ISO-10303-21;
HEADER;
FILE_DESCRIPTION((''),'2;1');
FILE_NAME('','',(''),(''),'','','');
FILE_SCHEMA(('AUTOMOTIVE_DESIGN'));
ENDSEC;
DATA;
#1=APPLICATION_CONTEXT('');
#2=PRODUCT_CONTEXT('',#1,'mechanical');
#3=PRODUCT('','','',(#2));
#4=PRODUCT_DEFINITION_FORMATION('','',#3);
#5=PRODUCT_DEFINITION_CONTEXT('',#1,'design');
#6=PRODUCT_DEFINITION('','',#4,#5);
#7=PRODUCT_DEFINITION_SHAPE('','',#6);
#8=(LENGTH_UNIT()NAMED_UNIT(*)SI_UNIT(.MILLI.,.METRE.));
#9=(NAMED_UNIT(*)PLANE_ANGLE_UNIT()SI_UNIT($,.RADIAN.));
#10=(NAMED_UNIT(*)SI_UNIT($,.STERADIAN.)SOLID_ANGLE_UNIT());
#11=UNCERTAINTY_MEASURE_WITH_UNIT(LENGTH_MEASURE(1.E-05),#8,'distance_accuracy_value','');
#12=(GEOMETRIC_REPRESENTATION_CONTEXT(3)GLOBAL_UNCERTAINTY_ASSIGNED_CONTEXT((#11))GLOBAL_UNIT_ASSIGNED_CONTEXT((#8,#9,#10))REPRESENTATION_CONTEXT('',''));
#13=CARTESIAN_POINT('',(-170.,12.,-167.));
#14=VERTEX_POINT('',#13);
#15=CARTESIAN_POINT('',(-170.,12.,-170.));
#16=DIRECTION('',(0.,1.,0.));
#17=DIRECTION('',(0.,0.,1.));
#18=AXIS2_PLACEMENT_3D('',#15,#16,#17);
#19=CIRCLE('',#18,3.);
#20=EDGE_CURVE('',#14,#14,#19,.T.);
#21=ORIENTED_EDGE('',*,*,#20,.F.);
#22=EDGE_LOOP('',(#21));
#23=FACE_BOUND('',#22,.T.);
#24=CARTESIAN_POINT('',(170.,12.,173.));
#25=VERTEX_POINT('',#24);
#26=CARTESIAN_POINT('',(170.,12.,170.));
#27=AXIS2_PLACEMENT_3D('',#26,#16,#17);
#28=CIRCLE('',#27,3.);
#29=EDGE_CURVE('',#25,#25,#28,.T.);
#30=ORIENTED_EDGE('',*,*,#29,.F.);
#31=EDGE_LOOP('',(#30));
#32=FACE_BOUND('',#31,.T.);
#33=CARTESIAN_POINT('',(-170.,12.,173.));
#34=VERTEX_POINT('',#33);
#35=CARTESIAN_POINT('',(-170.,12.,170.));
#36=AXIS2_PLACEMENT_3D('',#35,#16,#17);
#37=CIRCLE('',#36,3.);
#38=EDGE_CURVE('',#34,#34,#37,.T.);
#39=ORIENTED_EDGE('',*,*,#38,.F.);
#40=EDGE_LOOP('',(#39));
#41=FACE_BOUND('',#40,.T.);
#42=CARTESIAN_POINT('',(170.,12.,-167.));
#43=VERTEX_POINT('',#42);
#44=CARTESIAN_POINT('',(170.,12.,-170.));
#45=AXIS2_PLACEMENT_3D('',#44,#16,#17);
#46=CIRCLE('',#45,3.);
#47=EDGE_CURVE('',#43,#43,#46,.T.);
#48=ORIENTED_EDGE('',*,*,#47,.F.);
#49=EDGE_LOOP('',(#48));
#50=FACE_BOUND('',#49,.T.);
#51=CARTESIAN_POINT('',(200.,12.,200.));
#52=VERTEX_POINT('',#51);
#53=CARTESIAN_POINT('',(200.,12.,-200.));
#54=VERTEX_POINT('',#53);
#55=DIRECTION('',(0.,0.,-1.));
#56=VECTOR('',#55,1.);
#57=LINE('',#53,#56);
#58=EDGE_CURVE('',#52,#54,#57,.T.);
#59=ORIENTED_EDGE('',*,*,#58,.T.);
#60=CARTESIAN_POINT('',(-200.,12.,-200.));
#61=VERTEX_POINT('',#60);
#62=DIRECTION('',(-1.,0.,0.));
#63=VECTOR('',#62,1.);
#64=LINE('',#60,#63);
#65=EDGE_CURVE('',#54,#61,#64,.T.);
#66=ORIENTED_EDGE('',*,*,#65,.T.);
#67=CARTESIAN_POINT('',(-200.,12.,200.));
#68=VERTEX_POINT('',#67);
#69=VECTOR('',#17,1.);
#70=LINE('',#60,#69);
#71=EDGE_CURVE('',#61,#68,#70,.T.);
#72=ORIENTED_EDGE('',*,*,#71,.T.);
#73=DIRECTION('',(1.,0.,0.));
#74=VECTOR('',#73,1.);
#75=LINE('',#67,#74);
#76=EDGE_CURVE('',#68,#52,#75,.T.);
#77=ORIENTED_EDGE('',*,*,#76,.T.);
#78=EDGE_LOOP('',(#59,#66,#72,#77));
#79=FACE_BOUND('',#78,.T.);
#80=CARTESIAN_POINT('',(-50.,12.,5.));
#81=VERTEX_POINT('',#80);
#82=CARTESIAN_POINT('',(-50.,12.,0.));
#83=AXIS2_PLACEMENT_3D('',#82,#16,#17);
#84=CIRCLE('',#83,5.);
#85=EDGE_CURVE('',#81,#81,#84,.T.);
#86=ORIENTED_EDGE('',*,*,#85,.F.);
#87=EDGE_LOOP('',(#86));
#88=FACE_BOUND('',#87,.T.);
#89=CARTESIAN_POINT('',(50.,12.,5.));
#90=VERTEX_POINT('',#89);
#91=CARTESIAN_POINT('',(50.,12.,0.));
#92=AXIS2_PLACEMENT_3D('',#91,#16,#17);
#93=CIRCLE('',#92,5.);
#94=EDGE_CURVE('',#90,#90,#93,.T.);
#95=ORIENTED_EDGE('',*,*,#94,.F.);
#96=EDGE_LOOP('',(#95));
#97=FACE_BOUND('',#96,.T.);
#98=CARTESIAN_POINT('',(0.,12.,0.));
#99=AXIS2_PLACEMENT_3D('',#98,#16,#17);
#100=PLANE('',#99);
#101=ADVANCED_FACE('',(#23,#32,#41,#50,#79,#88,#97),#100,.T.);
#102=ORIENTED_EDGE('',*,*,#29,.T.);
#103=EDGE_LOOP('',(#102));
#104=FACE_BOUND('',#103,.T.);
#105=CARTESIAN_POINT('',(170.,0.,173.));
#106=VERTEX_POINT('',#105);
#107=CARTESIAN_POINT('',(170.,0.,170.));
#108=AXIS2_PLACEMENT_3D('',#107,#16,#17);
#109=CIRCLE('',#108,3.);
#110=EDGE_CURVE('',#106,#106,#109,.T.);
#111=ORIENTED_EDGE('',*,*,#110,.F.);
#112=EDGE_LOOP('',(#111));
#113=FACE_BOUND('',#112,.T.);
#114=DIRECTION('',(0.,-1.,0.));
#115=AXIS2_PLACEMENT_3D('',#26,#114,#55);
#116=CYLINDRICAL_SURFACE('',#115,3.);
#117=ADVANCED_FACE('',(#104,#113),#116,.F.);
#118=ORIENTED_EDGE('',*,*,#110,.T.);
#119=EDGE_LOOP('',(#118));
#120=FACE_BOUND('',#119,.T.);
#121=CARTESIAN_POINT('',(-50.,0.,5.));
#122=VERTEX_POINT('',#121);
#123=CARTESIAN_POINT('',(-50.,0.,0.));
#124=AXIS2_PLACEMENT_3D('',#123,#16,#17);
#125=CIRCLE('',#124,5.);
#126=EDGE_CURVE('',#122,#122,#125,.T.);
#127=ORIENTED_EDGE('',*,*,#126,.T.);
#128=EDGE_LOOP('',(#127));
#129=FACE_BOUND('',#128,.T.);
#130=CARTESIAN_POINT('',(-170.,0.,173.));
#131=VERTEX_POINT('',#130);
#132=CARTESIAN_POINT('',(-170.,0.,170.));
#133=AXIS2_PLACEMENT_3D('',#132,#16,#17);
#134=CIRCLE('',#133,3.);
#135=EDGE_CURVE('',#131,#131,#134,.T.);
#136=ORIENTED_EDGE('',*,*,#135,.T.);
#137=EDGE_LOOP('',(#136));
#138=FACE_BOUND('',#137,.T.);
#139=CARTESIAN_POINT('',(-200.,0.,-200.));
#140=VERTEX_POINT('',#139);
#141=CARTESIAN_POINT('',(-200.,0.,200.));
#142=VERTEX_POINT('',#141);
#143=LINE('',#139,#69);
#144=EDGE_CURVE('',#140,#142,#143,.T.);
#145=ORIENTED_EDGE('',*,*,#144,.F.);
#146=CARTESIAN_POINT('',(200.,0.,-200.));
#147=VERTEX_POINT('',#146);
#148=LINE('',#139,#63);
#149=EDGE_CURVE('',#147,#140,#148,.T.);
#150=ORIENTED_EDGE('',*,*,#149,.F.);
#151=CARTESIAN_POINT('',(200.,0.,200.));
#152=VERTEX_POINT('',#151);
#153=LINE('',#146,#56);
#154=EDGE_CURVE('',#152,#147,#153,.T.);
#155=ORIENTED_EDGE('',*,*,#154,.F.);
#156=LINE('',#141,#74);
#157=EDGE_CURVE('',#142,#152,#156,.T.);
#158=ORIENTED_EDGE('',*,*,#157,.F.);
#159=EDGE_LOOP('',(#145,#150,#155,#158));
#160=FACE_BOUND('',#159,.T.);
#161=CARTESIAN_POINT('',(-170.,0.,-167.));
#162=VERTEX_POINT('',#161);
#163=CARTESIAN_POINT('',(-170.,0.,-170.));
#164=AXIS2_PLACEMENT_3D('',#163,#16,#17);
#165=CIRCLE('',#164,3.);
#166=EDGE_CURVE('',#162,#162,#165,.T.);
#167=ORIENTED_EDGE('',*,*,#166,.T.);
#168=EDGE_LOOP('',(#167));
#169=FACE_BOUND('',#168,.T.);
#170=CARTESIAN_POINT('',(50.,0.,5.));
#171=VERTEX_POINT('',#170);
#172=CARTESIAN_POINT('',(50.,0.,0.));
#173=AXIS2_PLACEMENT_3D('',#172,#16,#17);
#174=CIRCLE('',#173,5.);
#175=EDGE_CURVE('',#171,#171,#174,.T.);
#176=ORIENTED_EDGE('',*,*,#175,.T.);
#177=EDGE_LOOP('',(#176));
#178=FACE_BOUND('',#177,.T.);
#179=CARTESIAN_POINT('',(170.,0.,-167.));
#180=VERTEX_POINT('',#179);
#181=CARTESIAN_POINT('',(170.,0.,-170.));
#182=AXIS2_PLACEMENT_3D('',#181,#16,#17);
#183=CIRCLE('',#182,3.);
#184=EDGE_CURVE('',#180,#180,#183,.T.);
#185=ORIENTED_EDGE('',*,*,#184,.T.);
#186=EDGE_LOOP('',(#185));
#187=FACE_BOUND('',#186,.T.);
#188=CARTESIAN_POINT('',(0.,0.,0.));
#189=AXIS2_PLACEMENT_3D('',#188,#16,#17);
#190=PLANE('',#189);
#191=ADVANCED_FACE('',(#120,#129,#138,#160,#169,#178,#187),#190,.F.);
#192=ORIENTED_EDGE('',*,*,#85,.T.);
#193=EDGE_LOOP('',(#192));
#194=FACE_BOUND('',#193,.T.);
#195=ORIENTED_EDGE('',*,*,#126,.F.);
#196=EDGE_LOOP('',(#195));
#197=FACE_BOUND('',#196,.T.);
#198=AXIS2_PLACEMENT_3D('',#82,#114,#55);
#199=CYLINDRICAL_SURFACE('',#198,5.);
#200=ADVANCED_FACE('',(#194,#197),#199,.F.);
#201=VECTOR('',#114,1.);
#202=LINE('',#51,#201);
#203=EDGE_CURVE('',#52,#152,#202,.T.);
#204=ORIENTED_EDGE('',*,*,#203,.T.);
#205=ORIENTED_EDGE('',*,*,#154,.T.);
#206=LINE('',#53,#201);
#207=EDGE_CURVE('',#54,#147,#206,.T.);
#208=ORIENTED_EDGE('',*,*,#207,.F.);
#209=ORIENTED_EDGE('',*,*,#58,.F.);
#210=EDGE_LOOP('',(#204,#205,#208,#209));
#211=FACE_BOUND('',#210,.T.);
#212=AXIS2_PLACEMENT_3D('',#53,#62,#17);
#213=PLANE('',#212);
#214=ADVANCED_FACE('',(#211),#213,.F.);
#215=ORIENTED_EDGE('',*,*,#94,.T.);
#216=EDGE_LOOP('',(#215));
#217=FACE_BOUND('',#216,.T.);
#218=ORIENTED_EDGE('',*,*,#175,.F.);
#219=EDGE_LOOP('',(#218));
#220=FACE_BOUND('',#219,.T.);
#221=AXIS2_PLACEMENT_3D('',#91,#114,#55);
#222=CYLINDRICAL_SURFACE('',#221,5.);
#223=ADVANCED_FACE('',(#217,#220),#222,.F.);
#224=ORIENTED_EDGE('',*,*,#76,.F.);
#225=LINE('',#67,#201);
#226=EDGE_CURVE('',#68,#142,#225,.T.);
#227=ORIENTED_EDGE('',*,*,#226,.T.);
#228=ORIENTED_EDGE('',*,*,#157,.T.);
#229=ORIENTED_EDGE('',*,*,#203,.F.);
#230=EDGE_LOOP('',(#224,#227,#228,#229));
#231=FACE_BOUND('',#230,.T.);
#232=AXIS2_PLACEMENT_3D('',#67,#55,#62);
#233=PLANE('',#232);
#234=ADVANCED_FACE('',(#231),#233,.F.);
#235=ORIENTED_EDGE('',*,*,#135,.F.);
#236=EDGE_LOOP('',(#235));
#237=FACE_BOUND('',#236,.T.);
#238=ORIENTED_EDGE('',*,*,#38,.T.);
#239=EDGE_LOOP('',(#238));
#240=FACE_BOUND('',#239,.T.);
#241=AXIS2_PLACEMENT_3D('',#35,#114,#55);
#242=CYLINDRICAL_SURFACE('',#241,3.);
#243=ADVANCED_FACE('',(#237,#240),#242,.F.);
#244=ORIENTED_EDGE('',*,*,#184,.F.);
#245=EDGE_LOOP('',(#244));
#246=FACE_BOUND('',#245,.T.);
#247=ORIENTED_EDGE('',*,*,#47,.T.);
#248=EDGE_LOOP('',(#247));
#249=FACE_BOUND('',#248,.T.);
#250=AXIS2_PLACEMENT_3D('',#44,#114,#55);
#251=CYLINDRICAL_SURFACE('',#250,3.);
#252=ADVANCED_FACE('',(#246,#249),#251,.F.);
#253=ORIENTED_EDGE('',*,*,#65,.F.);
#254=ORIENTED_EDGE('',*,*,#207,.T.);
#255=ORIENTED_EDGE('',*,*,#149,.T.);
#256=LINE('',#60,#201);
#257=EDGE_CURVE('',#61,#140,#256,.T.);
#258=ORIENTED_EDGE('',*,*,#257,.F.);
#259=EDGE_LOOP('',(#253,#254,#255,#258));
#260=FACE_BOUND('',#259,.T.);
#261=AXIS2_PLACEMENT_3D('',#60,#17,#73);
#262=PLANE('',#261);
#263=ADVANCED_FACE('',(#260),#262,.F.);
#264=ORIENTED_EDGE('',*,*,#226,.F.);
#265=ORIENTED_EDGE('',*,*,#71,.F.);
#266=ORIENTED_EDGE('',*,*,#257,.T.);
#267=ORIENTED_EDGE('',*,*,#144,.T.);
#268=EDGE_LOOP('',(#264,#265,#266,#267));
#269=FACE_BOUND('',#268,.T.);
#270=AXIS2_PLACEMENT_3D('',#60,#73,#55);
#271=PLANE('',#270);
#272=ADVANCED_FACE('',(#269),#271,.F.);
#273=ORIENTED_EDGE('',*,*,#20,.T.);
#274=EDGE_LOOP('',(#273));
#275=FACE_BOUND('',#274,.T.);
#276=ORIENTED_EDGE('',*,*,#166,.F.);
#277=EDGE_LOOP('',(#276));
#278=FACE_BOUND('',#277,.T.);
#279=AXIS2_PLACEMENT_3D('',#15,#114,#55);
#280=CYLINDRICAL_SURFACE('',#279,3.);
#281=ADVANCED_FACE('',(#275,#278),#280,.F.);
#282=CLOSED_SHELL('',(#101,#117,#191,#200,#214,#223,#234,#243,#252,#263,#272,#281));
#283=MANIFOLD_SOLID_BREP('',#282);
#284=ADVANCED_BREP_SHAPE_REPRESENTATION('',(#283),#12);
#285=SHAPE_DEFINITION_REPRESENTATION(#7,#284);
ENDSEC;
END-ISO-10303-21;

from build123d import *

# Parameters (mm, degrees)
SKETCH1_W           = 400
SKETCH1_H           = 400
SKETCH1_R           = 3
SKETCH1_R_2         = 5
BOSS_EXTRUDE1_DEPTH = 12


with BuildPart() as part:
    # Sketch1 → Boss-Extrude1 (new body)
    with BuildSketch(Plane(origin=(0, 0, 0), x_dir=(1, 0, 0), z_dir=(0, 1, 0))):
        Rectangle(SKETCH1_W, SKETCH1_H)
        with Locations(Location((-170, 170, 0), (0, 0, 270))):
            Circle(SKETCH1_R, mode=Mode.SUBTRACT)
        with Locations(Location((170, 170, 0), (0, 0, 270))):
            Circle(SKETCH1_R, mode=Mode.SUBTRACT)
        with Locations(Location((170, -170, 0), (0, 0, 270))):
            Circle(SKETCH1_R, mode=Mode.SUBTRACT)
        with Locations(Location((-170, -170, 0), (0, 0, 270))):
            Circle(SKETCH1_R, mode=Mode.SUBTRACT)
        with Locations(Location((-50, 0, 0), (0, 0, 270))):
            Circle(SKETCH1_R_2, mode=Mode.SUBTRACT)
        with Locations(Location((50, 0, 0), (0, 0, 270))):
            Circle(SKETCH1_R_2, mode=Mode.SUBTRACT)
    extrude(amount=BOSS_EXTRUDE1_DEPTH)


solid = part.part
